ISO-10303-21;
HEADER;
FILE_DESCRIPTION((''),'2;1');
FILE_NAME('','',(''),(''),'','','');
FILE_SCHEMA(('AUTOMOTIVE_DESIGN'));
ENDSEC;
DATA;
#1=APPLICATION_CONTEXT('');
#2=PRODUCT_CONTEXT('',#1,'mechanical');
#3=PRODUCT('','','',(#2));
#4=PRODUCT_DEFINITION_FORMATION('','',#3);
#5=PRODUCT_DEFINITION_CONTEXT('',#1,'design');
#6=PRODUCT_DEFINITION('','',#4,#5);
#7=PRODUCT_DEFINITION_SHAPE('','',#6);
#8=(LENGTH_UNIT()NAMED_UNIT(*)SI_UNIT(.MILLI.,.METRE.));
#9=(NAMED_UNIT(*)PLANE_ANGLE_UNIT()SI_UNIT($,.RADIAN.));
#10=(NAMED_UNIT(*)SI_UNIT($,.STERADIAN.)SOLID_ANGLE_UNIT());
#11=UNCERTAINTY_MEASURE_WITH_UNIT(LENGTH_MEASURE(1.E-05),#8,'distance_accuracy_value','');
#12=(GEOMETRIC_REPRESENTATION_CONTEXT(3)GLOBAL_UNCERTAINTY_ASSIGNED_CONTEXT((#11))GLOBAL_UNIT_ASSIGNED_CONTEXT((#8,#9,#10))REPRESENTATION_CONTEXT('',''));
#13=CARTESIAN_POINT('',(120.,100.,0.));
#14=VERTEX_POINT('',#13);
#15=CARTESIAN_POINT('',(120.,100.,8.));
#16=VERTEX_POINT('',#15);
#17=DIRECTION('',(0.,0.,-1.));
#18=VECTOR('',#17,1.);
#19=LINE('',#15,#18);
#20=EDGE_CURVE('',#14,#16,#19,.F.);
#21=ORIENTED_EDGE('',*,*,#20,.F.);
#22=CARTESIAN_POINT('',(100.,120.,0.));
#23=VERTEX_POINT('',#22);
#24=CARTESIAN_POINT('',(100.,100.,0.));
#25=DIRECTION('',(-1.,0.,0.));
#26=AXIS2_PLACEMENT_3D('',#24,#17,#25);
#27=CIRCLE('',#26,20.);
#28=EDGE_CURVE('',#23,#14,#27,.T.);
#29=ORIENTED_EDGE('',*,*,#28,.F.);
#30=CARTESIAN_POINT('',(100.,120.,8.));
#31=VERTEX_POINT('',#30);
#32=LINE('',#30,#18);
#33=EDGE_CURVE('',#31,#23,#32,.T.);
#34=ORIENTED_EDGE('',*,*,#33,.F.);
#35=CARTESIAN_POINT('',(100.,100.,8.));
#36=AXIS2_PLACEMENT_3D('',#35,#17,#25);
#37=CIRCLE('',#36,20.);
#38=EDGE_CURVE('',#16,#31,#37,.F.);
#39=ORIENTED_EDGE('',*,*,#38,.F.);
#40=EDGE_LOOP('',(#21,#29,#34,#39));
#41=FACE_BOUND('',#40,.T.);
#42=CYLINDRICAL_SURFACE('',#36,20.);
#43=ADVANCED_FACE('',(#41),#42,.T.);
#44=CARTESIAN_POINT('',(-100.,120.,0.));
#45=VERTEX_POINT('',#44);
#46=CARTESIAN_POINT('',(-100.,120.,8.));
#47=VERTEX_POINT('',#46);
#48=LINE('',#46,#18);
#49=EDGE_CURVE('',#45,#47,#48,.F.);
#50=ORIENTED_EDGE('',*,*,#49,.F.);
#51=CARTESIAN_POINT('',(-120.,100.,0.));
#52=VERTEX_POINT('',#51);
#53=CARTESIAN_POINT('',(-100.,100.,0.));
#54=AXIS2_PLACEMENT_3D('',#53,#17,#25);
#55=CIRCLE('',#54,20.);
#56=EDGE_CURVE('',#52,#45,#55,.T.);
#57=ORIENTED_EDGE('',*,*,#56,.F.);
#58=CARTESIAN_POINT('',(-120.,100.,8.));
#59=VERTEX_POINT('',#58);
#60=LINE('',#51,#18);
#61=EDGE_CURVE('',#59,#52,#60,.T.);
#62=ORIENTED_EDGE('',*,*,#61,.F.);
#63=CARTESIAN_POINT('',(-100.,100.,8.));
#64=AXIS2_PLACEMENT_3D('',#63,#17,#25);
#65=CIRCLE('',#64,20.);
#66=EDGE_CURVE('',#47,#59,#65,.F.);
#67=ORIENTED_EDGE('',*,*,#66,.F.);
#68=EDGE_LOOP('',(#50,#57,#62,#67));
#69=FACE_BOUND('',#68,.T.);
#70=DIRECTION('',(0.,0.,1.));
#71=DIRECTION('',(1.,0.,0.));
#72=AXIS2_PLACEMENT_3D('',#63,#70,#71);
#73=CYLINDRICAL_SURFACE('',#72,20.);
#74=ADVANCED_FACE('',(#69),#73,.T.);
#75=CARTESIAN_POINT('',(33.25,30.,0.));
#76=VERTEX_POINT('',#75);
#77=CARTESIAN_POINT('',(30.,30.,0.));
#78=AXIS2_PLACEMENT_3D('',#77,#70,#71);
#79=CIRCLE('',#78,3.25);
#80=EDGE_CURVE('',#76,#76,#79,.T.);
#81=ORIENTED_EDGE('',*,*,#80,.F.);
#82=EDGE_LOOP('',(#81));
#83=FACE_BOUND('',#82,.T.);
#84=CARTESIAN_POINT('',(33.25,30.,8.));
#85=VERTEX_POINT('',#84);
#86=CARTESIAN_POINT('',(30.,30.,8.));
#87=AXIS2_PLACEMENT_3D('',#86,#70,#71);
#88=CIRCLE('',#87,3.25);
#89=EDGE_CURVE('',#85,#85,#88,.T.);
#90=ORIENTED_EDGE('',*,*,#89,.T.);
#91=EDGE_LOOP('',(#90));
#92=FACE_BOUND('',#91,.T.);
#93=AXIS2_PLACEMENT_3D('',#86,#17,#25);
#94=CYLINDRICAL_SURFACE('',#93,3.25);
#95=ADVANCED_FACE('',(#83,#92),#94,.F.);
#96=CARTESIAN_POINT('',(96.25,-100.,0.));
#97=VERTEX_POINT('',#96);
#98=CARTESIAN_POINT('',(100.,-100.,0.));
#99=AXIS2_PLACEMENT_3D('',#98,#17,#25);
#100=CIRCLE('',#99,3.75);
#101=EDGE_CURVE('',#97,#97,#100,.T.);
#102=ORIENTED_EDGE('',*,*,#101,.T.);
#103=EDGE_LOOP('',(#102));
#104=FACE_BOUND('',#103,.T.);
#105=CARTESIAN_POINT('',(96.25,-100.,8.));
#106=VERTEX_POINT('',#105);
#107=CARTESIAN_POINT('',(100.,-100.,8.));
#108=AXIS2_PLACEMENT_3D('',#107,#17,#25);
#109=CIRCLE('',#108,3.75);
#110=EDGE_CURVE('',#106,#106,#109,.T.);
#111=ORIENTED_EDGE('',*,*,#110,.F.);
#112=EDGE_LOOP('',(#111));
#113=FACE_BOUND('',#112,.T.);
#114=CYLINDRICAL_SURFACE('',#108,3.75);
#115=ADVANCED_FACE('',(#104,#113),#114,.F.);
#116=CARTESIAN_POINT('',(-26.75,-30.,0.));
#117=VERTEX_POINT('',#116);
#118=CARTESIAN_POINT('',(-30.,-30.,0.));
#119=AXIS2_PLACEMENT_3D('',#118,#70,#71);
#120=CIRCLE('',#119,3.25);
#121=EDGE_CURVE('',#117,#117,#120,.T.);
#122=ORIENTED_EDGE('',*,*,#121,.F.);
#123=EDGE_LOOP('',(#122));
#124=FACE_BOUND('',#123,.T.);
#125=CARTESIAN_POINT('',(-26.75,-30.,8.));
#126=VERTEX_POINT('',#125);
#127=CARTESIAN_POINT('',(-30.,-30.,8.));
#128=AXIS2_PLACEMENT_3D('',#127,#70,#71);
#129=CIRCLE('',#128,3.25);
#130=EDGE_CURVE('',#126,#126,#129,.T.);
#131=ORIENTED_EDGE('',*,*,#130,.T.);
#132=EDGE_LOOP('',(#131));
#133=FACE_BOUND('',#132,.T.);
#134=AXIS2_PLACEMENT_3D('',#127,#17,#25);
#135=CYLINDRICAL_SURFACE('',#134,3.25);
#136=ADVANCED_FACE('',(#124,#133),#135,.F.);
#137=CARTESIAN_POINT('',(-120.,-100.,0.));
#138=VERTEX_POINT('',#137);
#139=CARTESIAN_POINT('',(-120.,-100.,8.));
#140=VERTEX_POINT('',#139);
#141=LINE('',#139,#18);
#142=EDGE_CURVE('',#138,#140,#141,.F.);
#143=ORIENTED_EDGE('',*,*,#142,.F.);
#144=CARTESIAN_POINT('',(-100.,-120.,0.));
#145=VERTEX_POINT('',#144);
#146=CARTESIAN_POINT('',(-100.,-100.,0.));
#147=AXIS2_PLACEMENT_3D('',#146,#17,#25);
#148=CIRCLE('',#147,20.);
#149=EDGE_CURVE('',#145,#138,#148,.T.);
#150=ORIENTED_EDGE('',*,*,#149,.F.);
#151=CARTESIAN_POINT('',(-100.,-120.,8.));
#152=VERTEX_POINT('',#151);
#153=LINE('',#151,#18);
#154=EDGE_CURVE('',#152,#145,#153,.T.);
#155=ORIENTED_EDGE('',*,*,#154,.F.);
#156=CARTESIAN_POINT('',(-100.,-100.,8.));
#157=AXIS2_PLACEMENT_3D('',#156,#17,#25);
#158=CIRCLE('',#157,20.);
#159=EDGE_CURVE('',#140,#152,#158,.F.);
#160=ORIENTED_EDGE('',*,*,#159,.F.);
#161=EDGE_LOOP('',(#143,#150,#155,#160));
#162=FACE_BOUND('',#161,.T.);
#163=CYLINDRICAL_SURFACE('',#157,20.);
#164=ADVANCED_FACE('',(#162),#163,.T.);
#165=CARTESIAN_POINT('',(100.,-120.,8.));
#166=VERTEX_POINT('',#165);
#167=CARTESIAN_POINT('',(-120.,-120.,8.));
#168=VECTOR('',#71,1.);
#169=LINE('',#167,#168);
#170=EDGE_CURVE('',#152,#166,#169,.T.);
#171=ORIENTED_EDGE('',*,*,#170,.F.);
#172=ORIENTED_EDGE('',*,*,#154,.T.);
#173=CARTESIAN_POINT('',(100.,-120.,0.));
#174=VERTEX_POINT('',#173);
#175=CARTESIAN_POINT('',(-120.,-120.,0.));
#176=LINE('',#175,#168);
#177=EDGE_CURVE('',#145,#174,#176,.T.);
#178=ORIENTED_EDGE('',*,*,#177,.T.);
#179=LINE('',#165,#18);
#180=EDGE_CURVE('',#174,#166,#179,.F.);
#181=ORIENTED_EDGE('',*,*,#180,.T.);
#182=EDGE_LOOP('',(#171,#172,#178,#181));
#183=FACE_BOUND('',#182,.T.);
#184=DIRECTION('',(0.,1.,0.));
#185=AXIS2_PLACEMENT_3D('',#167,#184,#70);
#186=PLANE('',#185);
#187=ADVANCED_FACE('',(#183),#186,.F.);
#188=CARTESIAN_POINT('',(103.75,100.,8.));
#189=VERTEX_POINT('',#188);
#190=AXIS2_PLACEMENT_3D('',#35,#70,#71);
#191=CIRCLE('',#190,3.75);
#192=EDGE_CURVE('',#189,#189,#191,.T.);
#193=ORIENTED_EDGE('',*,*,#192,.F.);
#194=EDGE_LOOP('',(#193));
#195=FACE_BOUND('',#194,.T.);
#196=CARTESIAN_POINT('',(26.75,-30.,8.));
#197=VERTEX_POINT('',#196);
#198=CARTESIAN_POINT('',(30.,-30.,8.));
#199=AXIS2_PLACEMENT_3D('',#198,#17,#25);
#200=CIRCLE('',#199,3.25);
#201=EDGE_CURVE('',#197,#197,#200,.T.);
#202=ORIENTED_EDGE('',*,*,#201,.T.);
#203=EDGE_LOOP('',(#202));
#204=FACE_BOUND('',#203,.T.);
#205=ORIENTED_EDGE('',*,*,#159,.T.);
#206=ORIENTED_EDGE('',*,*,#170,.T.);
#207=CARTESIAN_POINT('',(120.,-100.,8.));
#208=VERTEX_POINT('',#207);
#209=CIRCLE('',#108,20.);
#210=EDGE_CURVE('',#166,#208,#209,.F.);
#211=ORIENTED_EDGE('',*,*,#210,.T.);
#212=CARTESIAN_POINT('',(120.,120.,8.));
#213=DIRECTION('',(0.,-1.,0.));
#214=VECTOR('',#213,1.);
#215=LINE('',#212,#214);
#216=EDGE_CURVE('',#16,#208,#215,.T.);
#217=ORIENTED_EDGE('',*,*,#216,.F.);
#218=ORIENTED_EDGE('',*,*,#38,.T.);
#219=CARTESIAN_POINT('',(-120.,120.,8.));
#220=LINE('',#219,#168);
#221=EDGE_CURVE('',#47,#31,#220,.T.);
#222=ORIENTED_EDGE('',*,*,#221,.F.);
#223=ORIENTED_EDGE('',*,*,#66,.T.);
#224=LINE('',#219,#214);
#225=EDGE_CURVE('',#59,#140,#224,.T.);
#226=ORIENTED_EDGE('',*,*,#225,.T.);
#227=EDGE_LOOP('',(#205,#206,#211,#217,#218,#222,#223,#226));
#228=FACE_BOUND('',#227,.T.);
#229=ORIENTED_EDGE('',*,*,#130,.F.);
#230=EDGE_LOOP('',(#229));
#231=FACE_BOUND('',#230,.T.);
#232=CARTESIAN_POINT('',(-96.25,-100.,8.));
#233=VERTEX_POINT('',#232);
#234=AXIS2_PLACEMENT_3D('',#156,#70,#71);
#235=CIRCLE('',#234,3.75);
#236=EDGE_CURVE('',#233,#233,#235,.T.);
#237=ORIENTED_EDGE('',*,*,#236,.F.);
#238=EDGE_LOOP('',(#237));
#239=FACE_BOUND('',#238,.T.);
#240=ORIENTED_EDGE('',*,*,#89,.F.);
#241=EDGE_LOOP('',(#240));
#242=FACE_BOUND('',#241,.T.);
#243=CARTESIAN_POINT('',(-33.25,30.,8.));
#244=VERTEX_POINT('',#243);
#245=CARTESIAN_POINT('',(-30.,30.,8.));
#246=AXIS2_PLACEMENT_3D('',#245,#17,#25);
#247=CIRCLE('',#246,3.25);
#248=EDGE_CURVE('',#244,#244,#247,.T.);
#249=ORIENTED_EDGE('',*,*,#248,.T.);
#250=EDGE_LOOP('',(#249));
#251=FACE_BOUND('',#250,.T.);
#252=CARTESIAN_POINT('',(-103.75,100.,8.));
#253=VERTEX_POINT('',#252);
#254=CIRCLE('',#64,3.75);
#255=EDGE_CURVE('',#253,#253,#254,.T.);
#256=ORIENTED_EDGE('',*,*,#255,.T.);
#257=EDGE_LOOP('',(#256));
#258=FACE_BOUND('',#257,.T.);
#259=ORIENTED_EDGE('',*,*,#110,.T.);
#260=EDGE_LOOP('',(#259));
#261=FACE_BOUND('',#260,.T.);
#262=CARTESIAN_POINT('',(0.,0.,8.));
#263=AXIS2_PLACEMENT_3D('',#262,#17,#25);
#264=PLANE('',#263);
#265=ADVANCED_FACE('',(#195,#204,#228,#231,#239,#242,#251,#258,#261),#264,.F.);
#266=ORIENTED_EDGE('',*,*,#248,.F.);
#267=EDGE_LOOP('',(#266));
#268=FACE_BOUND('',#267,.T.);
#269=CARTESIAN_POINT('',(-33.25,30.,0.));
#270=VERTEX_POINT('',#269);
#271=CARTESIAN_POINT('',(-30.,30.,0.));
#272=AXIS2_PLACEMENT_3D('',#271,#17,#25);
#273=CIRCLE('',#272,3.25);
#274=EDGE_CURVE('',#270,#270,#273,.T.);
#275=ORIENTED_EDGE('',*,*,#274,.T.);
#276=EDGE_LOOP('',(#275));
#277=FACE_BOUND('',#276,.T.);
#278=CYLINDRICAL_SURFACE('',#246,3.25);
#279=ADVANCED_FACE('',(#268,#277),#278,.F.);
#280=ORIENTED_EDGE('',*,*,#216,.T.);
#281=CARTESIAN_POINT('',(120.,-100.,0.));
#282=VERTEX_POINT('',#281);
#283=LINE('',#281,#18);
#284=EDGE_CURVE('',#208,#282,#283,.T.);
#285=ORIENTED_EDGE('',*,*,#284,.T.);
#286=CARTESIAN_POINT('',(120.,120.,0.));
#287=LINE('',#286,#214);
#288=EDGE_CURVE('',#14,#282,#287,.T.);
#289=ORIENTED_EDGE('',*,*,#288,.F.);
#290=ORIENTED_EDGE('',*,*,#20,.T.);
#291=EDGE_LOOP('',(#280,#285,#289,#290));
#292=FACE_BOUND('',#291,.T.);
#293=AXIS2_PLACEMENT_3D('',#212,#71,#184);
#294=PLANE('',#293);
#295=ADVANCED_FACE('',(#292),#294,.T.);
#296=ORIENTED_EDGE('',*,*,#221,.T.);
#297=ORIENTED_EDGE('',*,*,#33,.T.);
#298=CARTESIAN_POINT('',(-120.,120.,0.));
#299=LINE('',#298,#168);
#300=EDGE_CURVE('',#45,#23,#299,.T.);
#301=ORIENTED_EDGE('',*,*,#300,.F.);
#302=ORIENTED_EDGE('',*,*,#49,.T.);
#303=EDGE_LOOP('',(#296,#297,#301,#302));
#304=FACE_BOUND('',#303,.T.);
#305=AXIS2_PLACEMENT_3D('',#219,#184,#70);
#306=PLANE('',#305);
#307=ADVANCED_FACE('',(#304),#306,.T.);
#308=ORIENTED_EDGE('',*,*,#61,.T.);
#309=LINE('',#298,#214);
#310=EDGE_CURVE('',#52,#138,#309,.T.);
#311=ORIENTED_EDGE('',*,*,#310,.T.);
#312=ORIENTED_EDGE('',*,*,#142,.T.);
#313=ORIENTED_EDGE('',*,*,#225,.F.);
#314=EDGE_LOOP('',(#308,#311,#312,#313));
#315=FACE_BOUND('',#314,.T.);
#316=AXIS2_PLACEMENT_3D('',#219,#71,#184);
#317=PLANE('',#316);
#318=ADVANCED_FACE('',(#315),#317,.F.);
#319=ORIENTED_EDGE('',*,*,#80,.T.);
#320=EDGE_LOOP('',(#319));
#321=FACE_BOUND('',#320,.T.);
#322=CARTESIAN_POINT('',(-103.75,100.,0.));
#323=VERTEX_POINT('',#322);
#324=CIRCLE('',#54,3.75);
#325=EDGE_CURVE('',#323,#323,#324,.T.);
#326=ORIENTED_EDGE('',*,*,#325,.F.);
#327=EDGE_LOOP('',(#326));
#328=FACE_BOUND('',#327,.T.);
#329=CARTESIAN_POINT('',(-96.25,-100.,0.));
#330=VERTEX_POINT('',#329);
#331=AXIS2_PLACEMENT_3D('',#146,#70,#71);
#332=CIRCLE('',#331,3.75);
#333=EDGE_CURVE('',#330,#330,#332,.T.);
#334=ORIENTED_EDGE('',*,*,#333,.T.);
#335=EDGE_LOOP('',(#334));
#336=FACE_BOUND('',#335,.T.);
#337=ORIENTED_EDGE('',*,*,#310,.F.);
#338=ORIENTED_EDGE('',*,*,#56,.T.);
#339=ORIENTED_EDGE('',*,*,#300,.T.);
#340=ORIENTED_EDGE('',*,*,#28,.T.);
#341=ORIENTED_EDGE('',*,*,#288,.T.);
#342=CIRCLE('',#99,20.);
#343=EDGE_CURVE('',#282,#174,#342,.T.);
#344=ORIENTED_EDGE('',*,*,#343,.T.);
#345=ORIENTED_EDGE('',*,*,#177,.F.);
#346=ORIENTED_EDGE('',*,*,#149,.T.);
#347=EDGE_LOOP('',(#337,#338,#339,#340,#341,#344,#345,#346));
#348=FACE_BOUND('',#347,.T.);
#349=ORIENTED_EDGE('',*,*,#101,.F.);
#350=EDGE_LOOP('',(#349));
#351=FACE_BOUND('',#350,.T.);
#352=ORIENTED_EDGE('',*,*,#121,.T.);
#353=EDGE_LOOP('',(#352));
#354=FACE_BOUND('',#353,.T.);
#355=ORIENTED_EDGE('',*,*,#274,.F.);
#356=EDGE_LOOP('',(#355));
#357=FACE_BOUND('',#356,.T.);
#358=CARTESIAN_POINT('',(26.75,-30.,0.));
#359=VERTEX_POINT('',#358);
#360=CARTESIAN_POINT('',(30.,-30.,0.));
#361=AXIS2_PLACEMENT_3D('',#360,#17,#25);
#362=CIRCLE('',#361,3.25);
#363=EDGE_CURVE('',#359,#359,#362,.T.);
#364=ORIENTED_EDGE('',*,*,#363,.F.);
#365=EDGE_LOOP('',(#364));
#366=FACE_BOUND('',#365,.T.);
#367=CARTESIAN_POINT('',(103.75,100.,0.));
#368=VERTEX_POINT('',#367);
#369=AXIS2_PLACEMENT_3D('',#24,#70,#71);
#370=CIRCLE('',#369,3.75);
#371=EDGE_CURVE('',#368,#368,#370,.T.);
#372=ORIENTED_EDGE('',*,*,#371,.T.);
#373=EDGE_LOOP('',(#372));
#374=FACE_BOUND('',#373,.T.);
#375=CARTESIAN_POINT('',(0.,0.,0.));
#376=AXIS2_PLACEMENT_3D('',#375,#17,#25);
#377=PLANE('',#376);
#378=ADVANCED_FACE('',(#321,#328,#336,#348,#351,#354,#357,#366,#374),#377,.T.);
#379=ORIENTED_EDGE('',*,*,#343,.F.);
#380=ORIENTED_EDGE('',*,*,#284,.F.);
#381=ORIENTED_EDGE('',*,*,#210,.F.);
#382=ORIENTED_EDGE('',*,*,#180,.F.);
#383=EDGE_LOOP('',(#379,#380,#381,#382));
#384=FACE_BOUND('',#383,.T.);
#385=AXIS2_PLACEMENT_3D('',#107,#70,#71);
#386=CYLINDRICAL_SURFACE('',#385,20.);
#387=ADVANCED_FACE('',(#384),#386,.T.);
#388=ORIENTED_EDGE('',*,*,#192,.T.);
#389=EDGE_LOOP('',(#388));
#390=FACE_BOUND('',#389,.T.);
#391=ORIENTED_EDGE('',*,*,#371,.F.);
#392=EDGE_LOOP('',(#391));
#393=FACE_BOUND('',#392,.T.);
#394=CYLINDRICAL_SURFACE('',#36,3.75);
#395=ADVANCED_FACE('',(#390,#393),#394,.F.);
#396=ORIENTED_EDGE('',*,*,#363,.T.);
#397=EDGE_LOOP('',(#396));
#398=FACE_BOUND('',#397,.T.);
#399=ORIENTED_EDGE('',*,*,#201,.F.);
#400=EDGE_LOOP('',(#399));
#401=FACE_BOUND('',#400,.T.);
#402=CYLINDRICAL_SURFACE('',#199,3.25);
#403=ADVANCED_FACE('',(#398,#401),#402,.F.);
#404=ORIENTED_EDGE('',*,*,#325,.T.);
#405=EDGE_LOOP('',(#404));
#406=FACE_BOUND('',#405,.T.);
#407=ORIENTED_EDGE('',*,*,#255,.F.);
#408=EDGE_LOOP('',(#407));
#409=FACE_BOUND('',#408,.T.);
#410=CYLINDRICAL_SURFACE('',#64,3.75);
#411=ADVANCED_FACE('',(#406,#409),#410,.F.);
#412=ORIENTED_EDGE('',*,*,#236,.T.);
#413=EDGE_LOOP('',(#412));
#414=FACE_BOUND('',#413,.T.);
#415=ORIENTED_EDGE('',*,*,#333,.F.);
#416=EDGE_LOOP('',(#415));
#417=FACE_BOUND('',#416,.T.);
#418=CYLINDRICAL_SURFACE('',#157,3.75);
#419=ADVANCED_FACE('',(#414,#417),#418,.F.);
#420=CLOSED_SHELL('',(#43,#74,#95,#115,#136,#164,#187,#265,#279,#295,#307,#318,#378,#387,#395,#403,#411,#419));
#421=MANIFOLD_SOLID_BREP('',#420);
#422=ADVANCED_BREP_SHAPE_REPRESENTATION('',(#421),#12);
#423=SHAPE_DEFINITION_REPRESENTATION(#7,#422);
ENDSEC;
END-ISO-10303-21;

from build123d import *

# Parameters (mm, degrees)
SKETCH_1_W      = 240
SKETCH_1_H      = 240
SKETCH_1_R      = 3.25
SKETCH_1_R_2    = 3.75
EXTRUDE_1_DEPTH = 8
FILLET_1_R      = 20


with BuildPart() as part:
    # 草图1 → 凸台-拉伸1 (new body)
    with BuildSketch(Plane.XY):
        Rectangle(SKETCH_1_W, SKETCH_1_H)
        with Locations((30, 30)):
            Circle(SKETCH_1_R, mode=Mode.SUBTRACT)
        with Locations(Location((30, -30, 0), (0, 0, 180))):
            Circle(SKETCH_1_R, mode=Mode.SUBTRACT)
        with Locations(Location((-30, 30, 0), (0, 0, 180))):
            Circle(SKETCH_1_R, mode=Mode.SUBTRACT)
        with Locations((-30, -30)):
            Circle(SKETCH_1_R, mode=Mode.SUBTRACT)
        with Locations((100, 100)):
            Circle(SKETCH_1_R_2, mode=Mode.SUBTRACT)
        with Locations(Location((100, -100, 0), (0, 0, 180))):
            Circle(SKETCH_1_R_2, mode=Mode.SUBTRACT)
        with Locations((-100, -100)):
            Circle(SKETCH_1_R_2, mode=Mode.SUBTRACT)
        with Locations(Location((-100, 100, 0), (0, 0, 180))):
            Circle(SKETCH_1_R_2, mode=Mode.SUBTRACT)
    extrude(amount=EXTRUDE_1_DEPTH)

    # 圆角1
    fillet_1_edges = [part.edges().sort_by_distance(p)[0] for p in [
        (-120, 120, 4),
        (-120, -120, 4),
        (120, -120, 4),
        (120, 120, 4),
    ]]
    fillet(fillet_1_edges, radius=FILLET_1_R)


solid = part.part
